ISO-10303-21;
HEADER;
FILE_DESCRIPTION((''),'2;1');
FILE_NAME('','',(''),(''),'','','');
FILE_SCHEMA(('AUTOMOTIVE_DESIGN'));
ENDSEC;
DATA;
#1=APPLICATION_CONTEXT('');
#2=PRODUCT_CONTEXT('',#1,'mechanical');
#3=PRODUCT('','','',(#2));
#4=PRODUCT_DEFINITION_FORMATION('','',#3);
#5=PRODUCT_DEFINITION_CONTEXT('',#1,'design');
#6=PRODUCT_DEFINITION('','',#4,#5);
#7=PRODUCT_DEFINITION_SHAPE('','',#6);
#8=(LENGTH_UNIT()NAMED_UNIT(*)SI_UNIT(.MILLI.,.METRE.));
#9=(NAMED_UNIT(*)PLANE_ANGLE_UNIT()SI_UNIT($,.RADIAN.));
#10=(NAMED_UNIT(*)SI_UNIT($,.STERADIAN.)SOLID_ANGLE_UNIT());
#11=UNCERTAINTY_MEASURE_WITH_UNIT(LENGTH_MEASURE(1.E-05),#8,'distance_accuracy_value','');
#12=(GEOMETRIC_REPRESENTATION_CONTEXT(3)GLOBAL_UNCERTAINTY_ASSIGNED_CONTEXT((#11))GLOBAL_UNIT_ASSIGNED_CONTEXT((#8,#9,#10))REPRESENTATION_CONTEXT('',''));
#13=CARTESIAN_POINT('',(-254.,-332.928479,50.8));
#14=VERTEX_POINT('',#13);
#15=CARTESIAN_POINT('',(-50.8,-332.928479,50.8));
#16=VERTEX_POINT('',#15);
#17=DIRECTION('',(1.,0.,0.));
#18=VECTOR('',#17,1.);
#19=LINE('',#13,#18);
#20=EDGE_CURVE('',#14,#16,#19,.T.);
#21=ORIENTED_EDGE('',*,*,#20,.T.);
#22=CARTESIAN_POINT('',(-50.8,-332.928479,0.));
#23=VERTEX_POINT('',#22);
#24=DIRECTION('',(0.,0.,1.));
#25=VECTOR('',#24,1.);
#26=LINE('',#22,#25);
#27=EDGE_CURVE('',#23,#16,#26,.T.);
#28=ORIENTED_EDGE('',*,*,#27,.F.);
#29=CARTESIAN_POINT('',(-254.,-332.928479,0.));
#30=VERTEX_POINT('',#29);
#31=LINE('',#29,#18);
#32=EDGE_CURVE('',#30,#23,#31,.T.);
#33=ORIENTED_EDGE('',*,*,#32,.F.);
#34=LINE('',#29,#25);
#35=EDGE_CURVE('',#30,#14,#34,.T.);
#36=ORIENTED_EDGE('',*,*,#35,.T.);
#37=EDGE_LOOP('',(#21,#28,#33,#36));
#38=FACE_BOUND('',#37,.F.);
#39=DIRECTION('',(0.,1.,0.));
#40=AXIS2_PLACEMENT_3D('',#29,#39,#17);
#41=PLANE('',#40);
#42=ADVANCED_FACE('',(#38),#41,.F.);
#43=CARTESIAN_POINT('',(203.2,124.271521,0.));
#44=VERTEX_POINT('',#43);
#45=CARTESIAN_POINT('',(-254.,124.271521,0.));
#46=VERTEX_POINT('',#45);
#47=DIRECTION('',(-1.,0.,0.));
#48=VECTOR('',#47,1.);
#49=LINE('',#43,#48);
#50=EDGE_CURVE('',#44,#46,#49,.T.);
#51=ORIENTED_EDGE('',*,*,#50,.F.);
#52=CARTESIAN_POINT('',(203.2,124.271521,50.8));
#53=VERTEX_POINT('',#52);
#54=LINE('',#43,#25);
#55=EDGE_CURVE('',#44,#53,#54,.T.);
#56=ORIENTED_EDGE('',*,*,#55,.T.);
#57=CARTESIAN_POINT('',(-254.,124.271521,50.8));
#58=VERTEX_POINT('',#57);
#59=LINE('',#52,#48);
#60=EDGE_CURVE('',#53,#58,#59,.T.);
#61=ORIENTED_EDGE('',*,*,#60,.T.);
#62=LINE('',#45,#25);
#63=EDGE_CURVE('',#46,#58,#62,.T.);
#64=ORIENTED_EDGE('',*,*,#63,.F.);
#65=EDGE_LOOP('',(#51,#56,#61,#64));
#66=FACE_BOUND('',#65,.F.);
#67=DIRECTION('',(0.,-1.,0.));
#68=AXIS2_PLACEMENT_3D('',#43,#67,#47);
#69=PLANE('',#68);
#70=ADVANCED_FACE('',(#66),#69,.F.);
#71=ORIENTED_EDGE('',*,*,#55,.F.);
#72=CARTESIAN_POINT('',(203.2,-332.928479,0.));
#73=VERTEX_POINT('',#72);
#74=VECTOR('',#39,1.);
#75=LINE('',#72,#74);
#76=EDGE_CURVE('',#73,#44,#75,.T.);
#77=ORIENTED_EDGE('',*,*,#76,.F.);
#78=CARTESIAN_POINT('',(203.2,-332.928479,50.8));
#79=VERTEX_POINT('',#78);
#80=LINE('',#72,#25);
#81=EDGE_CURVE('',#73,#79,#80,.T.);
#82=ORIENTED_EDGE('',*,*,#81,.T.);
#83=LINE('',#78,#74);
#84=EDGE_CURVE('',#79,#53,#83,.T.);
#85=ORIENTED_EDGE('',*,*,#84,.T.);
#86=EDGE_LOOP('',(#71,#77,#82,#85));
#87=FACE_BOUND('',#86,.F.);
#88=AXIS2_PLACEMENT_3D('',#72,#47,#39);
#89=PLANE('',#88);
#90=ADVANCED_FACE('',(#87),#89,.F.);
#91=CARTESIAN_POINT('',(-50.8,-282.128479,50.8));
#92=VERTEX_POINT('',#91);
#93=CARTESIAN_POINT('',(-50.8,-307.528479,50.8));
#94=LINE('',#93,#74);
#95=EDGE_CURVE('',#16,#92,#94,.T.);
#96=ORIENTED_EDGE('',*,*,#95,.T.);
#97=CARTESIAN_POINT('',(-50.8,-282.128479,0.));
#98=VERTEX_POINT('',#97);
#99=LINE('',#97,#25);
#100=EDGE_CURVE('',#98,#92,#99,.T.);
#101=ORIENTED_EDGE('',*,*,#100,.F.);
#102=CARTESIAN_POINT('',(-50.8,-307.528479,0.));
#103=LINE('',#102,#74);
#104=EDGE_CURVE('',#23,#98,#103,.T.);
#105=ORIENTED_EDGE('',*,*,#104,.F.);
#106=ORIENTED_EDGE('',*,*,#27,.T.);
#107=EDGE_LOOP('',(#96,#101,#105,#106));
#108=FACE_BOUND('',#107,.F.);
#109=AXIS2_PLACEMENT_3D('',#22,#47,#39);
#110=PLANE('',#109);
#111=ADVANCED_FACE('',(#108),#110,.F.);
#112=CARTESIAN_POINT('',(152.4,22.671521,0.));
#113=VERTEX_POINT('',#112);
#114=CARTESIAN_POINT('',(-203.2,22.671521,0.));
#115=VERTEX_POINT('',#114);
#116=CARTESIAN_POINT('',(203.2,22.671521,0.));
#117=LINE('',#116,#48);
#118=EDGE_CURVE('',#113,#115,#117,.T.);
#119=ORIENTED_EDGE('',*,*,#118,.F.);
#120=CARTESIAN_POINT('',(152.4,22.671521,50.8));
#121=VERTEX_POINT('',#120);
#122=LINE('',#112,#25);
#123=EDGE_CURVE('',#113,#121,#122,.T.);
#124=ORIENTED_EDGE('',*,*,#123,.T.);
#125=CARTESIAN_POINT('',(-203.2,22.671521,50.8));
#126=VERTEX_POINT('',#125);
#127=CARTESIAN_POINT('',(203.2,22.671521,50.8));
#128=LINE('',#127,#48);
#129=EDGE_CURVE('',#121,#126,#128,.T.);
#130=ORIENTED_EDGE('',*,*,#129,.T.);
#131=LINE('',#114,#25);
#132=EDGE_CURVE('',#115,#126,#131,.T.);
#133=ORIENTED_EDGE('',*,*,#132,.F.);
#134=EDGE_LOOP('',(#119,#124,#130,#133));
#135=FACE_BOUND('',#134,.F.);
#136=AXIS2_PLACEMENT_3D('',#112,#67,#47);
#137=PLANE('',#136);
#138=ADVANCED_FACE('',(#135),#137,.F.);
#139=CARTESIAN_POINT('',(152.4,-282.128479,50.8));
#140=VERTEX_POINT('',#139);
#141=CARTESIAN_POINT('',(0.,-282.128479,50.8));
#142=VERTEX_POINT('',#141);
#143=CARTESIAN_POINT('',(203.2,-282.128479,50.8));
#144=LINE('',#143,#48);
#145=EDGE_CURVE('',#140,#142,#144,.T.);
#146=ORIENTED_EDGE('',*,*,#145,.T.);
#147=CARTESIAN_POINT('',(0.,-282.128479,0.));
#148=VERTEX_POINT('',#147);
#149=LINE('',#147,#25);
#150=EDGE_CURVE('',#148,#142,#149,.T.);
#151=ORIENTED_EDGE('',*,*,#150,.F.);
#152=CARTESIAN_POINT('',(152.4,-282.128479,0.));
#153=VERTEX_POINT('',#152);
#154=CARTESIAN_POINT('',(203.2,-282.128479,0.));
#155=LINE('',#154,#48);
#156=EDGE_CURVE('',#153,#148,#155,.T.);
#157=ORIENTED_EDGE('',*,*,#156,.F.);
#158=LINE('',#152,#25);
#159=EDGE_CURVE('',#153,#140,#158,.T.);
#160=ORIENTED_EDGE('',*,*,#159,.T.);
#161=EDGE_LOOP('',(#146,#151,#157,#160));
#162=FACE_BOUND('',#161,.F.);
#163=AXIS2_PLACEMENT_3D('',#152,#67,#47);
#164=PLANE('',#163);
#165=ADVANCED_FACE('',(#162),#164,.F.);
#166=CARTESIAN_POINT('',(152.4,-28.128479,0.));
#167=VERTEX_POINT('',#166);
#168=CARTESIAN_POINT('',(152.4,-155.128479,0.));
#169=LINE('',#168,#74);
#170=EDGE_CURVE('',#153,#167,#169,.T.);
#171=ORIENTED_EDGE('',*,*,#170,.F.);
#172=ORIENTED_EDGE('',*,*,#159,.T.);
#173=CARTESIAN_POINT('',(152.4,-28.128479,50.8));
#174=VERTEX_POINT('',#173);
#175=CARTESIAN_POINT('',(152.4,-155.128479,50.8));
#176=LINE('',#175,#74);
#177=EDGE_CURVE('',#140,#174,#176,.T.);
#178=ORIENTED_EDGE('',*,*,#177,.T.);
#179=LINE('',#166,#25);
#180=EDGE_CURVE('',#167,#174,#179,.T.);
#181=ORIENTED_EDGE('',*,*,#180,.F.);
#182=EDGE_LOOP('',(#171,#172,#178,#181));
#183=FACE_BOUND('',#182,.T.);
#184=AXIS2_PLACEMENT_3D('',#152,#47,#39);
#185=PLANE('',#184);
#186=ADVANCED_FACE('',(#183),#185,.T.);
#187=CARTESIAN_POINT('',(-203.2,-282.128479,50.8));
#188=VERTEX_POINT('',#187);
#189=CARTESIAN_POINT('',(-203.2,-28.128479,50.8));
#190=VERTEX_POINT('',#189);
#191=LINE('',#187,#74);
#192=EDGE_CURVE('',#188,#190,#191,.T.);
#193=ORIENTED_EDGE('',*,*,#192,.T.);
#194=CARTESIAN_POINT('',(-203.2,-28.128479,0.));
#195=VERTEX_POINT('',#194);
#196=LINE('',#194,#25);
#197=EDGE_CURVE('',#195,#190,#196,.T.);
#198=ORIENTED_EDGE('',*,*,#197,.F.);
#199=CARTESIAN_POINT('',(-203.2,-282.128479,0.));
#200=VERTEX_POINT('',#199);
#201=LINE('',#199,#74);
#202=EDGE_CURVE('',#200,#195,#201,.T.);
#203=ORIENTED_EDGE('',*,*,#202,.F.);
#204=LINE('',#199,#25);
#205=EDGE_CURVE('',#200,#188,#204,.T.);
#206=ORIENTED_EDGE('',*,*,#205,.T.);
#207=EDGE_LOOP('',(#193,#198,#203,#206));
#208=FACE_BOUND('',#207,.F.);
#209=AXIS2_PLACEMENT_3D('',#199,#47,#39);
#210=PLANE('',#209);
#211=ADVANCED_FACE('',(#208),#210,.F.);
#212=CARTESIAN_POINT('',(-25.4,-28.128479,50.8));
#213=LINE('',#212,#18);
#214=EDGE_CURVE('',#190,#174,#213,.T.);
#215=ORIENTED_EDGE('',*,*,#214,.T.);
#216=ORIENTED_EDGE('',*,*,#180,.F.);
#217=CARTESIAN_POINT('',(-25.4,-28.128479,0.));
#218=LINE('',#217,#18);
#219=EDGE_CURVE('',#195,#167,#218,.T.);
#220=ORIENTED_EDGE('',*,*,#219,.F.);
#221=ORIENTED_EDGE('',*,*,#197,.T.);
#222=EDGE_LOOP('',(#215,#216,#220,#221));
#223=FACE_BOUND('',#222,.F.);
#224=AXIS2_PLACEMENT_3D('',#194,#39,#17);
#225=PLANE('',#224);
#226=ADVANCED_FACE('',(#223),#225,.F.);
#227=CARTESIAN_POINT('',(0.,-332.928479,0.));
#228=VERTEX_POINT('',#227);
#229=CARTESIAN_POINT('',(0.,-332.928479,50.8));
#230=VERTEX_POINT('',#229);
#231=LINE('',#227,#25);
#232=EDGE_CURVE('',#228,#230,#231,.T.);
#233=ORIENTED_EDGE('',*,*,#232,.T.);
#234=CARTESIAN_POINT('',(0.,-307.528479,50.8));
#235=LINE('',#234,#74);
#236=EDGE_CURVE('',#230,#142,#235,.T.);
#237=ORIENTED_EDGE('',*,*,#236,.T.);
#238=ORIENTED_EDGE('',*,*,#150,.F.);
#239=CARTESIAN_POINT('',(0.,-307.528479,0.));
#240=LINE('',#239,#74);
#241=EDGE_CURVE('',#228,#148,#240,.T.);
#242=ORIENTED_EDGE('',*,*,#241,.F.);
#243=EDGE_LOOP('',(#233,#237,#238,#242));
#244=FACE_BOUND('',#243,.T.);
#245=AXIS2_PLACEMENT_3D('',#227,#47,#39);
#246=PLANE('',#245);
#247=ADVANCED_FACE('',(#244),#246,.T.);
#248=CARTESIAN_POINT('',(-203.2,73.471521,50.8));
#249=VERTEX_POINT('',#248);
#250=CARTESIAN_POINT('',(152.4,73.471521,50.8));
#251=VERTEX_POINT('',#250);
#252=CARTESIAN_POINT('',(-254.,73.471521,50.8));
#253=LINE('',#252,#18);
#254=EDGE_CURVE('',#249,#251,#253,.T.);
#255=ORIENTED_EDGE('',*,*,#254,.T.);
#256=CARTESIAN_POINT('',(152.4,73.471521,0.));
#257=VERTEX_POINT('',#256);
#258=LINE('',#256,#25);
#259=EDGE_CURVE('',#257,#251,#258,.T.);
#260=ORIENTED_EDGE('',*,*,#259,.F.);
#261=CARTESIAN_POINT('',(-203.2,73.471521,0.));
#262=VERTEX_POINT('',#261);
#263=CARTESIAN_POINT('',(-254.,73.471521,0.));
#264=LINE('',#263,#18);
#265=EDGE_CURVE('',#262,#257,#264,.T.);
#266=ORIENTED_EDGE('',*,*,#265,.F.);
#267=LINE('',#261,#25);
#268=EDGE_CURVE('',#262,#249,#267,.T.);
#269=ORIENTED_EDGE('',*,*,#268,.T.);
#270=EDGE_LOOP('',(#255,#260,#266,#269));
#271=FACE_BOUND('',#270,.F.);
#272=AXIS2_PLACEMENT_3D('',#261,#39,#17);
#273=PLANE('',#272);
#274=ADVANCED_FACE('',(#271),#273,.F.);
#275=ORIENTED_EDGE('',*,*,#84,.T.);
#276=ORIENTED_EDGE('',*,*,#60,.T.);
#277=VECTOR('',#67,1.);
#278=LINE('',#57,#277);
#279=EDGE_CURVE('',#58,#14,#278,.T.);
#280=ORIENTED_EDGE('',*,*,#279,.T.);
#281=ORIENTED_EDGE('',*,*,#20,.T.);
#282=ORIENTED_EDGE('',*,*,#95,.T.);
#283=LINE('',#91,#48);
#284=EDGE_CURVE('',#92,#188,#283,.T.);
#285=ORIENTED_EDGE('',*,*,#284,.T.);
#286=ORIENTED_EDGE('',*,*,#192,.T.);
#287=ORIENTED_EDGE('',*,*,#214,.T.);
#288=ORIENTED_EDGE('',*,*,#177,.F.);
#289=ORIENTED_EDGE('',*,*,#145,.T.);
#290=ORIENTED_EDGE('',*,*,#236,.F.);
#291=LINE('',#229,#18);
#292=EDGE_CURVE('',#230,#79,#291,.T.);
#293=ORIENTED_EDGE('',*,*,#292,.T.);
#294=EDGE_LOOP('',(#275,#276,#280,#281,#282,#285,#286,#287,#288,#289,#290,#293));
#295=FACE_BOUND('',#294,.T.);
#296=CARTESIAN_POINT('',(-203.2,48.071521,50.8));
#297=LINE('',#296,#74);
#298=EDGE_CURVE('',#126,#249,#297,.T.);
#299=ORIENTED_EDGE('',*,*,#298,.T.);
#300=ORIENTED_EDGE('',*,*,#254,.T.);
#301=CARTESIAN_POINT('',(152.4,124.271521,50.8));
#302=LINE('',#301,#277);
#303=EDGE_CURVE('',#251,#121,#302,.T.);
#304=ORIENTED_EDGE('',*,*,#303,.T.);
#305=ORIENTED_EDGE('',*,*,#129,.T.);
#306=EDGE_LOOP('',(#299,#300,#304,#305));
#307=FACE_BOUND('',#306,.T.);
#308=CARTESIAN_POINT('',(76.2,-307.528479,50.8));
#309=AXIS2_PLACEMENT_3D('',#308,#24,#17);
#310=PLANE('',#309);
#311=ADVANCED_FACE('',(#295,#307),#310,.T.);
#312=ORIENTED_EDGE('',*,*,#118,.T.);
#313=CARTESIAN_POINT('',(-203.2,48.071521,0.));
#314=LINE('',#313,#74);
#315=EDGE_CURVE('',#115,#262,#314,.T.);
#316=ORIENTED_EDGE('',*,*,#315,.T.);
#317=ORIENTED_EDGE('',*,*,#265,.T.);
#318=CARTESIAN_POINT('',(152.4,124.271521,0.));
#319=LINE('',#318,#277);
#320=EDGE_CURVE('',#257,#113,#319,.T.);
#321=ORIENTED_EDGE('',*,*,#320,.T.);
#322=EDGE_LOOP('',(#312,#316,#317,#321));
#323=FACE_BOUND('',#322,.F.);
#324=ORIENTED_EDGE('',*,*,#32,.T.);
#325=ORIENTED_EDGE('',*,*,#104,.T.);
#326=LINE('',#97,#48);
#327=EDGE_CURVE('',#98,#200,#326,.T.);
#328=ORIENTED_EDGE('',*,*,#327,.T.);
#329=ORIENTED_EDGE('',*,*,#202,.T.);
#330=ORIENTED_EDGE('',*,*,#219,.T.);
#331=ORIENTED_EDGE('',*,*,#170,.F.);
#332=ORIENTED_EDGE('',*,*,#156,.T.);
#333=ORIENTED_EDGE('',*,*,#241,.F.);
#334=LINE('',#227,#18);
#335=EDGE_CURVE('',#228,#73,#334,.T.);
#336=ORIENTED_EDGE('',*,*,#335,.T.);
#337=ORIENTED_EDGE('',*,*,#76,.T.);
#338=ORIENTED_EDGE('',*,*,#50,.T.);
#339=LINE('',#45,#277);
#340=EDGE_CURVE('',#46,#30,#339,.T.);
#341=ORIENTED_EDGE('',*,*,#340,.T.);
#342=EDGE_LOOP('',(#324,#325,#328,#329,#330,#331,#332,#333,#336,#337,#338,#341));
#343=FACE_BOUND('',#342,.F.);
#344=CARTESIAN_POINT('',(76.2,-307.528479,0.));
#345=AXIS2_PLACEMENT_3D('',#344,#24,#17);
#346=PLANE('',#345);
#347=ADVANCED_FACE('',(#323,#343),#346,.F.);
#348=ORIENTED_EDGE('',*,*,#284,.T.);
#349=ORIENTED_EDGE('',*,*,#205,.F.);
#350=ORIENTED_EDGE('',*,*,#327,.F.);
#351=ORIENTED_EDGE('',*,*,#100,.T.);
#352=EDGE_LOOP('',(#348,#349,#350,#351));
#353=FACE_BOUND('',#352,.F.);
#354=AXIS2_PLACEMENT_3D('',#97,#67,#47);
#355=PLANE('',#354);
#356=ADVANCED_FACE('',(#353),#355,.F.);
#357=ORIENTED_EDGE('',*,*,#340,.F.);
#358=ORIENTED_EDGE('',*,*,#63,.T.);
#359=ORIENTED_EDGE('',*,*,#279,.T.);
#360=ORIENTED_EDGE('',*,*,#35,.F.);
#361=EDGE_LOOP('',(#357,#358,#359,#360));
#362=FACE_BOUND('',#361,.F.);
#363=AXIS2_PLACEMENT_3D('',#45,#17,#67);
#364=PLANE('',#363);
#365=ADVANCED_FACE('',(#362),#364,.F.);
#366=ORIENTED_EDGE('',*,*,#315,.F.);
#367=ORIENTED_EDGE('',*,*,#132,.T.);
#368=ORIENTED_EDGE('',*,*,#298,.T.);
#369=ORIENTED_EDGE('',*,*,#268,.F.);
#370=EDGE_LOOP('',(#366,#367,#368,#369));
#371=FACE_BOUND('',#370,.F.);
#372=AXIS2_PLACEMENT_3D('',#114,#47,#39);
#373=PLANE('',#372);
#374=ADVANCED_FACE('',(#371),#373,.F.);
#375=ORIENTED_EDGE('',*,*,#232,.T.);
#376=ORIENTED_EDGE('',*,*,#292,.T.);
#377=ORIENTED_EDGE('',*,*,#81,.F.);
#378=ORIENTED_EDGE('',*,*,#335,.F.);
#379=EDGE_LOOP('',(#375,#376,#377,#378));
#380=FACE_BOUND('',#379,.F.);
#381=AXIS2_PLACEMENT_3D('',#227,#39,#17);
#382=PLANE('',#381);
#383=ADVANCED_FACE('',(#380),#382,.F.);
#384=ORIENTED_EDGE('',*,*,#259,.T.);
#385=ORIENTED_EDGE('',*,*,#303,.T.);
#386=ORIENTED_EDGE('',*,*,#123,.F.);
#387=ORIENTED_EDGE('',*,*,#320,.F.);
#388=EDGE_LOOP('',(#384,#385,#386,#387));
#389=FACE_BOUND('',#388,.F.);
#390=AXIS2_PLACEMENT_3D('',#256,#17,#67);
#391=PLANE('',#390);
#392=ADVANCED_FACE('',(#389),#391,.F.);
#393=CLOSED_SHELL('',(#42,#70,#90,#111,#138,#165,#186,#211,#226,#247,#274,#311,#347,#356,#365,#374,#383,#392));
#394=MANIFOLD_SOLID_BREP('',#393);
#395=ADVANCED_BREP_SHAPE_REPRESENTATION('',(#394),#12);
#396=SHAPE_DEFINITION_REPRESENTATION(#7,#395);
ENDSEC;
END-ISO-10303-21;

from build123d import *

# Parameters (mm, degrees)
F0_W     = 152.4
F0_H     = 50.8
F0_W_2   = 50.8
F0_H_2   = 254
F0_W_3   = 355.6
F1_DEPTH = 50.8


with BuildPart() as f1:
    # F0 (on Top) → F1 (new body)
    with BuildSketch(Plane.XY):
        with Locations((76.2, -307.5284787178)):
            Rectangle(F0_W, F0_H)
        with Locations((177.8, -307.5284787178)):
            Rectangle(F0_W_2, F0_H)
        with Locations((177.8, -155.1284787178)):
            Rectangle(F0_W_2, F0_H_2)
        with Locations((-127, -307.5284787178)):
            Rectangle(F0_W, F0_H)
        with Locations((-228.6, -307.5284787178)):
            Rectangle(F0_W_2, F0_H)
        with Locations((-228.6, -155.1284787178)):
            Rectangle(F0_W_2, F0_H_2)
        with Locations((-228.6, -2.7284787178)):
            Rectangle(F0_W_2, F0_H)
        with Locations((-25.4, -2.7284787178)):
            Rectangle(F0_W_3, F0_H)
        with Locations((177.8, -2.7284787178)):
            Rectangle(F0_W_2, F0_H)
        with Locations((177.8, 48.0715212822)):
            Rectangle(F0_W_2, F0_H)
        with Locations((177.8, 98.8715212822)):
            Rectangle(F0_W_2, F0_H)
        with Locations((-25.4, 98.8715212822)):
            Rectangle(F0_W_3, F0_H)
        with Locations((-228.6, 98.8715212822)):
            Rectangle(F0_W_2, F0_H)
        with Locations((-228.6, 48.0715212822)):
            Rectangle(F0_W_2, F0_H)
    extrude(amount=F1_DEPTH)


solid = f1.part
